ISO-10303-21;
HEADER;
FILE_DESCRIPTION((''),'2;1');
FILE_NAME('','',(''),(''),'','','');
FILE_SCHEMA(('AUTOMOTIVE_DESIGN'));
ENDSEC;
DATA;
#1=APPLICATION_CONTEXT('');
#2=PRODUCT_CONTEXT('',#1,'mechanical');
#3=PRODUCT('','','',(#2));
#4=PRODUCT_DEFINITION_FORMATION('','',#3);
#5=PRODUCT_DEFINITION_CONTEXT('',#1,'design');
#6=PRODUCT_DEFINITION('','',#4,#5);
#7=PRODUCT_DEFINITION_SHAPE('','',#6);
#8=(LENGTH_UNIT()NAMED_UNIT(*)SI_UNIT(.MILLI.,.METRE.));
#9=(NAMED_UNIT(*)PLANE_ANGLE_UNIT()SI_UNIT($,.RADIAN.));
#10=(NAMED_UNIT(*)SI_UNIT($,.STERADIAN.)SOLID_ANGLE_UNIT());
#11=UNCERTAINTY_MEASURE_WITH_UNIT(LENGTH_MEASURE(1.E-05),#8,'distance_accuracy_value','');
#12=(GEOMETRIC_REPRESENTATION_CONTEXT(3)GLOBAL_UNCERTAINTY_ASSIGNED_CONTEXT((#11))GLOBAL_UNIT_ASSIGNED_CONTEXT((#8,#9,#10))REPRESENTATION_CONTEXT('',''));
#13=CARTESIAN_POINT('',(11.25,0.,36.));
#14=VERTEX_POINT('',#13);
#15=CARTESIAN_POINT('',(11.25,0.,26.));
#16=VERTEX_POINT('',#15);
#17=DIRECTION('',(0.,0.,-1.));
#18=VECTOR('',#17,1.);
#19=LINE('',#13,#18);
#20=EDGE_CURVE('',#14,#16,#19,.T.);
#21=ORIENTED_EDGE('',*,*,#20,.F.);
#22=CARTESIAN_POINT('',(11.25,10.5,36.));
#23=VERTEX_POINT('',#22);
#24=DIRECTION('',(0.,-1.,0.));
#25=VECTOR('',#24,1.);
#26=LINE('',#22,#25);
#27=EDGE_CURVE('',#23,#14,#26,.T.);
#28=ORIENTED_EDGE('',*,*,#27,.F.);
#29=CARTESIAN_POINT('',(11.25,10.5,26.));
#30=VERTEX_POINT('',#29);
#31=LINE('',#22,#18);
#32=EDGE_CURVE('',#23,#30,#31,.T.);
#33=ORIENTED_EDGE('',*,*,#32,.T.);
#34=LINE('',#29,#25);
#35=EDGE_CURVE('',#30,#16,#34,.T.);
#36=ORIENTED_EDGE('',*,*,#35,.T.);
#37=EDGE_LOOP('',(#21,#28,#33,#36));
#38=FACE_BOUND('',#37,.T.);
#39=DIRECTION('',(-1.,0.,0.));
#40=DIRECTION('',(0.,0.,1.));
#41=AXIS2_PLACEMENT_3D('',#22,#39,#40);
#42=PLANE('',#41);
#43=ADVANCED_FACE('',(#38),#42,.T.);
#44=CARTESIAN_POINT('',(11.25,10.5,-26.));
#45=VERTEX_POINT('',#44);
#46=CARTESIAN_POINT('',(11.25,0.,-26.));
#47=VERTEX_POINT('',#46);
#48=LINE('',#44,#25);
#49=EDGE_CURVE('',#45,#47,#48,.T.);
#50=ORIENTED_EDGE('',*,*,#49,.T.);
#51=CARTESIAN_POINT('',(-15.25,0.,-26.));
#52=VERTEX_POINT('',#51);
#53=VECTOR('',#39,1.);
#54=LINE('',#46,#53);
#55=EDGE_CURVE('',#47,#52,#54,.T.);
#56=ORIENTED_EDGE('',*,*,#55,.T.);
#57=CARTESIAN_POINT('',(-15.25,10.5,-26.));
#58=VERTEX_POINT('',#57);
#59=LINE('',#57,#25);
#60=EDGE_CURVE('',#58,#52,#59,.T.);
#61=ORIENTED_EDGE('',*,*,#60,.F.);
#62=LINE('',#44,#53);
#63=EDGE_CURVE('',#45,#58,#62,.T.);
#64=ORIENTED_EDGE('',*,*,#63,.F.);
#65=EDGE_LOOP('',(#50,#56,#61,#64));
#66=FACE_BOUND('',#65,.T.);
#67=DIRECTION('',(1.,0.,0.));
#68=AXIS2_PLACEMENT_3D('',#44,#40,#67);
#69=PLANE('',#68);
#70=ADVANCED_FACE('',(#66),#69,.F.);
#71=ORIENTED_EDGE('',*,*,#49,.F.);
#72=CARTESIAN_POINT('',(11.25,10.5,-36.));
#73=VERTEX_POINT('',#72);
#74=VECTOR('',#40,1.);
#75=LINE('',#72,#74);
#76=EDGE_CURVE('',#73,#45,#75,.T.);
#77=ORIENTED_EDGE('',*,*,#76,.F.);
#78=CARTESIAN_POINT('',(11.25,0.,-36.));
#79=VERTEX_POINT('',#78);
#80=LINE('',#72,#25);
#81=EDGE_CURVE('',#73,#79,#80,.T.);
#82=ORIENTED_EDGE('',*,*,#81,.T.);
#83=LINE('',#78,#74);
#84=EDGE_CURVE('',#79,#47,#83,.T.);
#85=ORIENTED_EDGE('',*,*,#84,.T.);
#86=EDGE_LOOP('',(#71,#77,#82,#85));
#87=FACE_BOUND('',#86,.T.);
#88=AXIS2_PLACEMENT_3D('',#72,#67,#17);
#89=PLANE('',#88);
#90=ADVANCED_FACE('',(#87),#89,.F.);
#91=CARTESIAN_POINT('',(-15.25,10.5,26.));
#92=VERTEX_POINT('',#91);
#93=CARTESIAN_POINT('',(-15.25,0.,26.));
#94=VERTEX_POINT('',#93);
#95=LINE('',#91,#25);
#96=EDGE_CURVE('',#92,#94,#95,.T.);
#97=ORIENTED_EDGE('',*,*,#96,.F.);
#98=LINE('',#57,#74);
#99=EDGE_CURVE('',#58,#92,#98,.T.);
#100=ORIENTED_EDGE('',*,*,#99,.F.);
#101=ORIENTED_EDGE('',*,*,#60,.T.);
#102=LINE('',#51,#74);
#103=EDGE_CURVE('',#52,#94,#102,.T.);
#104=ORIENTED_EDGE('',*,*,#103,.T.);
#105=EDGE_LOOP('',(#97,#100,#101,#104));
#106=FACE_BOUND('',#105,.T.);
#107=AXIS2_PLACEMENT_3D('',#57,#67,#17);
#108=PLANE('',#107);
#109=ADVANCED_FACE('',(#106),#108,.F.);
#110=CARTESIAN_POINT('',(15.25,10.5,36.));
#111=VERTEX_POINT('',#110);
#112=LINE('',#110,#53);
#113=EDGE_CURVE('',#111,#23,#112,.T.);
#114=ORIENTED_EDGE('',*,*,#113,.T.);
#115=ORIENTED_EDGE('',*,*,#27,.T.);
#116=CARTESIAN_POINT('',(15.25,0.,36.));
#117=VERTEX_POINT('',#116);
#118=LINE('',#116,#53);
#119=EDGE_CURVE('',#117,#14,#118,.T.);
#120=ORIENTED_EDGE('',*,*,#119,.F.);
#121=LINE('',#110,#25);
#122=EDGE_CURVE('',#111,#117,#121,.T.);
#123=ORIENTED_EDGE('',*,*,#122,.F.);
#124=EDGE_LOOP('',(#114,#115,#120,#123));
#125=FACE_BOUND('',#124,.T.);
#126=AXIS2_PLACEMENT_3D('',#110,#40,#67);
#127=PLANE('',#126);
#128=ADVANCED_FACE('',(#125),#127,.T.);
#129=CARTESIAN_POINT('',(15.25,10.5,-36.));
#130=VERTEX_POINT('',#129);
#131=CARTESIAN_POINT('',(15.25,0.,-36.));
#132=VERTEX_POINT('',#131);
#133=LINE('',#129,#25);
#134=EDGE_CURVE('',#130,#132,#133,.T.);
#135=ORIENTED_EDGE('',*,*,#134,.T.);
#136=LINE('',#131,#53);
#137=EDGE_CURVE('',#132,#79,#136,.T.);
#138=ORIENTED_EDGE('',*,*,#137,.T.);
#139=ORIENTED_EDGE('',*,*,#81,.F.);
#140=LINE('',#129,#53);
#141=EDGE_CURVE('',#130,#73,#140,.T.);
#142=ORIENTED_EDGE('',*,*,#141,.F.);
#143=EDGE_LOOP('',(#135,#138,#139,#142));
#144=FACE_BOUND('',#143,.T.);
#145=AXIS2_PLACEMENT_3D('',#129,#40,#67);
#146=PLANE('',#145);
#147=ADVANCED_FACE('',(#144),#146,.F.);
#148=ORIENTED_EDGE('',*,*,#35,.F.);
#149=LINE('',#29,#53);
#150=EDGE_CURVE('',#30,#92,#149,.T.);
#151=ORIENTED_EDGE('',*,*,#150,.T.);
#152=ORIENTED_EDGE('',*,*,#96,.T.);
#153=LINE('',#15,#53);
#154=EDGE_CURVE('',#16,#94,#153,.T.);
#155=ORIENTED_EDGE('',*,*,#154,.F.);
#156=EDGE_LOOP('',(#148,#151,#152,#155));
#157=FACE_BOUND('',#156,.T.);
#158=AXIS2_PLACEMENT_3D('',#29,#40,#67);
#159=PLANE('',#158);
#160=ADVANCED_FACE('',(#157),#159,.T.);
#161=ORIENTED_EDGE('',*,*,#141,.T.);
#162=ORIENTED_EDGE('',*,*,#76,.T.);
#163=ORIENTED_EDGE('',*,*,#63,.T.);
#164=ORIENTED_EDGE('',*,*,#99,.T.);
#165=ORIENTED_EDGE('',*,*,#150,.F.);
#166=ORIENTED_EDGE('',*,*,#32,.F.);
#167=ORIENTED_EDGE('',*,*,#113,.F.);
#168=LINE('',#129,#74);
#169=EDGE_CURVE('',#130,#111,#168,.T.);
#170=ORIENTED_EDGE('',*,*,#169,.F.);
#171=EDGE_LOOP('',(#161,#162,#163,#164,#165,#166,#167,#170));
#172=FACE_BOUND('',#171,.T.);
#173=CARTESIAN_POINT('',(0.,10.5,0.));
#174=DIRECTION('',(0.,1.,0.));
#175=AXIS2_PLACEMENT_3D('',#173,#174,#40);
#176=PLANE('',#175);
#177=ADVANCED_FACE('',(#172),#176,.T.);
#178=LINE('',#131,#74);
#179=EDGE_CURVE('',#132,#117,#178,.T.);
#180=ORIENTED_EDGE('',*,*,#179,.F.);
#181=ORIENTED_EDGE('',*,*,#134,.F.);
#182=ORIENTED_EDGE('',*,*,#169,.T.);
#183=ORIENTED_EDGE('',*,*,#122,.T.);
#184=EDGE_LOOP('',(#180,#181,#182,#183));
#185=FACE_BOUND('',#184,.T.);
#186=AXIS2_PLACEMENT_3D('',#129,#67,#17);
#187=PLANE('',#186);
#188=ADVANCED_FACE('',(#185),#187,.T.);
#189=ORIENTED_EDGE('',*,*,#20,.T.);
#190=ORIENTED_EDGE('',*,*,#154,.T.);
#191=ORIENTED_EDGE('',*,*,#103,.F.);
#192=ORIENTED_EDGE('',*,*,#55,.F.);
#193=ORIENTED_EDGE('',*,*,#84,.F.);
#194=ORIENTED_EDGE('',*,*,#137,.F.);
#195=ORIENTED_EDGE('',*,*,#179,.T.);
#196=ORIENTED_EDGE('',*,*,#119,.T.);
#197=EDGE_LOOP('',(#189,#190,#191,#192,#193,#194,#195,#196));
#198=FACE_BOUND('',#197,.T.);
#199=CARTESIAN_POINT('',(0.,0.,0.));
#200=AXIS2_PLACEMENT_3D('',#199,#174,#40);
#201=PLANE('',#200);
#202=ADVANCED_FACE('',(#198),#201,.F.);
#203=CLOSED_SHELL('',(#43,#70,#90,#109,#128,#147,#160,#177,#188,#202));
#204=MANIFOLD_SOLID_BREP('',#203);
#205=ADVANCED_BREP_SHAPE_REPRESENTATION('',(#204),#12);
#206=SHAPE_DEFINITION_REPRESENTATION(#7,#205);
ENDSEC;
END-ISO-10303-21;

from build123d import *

# Parameters (mm, degrees)
BOSS_EXTRUDE1_DEPTH = 10.5


with BuildPart() as part:
    # Sketch1 → Boss-Extrude1 (new body)
    with BuildSketch(Plane(origin=(0, 0, 0), x_dir=(1, 0, 0), z_dir=(0, 1, 0))):
        Polygon((15.25, 36), (15.25, -36), (11.25, -36), (11.25, -26), (-15.25, -26), (-15.25, 26), (11.25, 26), (11.25, 36), align=None)
    extrude(amount=BOSS_EXTRUDE1_DEPTH)


solid = part.part
